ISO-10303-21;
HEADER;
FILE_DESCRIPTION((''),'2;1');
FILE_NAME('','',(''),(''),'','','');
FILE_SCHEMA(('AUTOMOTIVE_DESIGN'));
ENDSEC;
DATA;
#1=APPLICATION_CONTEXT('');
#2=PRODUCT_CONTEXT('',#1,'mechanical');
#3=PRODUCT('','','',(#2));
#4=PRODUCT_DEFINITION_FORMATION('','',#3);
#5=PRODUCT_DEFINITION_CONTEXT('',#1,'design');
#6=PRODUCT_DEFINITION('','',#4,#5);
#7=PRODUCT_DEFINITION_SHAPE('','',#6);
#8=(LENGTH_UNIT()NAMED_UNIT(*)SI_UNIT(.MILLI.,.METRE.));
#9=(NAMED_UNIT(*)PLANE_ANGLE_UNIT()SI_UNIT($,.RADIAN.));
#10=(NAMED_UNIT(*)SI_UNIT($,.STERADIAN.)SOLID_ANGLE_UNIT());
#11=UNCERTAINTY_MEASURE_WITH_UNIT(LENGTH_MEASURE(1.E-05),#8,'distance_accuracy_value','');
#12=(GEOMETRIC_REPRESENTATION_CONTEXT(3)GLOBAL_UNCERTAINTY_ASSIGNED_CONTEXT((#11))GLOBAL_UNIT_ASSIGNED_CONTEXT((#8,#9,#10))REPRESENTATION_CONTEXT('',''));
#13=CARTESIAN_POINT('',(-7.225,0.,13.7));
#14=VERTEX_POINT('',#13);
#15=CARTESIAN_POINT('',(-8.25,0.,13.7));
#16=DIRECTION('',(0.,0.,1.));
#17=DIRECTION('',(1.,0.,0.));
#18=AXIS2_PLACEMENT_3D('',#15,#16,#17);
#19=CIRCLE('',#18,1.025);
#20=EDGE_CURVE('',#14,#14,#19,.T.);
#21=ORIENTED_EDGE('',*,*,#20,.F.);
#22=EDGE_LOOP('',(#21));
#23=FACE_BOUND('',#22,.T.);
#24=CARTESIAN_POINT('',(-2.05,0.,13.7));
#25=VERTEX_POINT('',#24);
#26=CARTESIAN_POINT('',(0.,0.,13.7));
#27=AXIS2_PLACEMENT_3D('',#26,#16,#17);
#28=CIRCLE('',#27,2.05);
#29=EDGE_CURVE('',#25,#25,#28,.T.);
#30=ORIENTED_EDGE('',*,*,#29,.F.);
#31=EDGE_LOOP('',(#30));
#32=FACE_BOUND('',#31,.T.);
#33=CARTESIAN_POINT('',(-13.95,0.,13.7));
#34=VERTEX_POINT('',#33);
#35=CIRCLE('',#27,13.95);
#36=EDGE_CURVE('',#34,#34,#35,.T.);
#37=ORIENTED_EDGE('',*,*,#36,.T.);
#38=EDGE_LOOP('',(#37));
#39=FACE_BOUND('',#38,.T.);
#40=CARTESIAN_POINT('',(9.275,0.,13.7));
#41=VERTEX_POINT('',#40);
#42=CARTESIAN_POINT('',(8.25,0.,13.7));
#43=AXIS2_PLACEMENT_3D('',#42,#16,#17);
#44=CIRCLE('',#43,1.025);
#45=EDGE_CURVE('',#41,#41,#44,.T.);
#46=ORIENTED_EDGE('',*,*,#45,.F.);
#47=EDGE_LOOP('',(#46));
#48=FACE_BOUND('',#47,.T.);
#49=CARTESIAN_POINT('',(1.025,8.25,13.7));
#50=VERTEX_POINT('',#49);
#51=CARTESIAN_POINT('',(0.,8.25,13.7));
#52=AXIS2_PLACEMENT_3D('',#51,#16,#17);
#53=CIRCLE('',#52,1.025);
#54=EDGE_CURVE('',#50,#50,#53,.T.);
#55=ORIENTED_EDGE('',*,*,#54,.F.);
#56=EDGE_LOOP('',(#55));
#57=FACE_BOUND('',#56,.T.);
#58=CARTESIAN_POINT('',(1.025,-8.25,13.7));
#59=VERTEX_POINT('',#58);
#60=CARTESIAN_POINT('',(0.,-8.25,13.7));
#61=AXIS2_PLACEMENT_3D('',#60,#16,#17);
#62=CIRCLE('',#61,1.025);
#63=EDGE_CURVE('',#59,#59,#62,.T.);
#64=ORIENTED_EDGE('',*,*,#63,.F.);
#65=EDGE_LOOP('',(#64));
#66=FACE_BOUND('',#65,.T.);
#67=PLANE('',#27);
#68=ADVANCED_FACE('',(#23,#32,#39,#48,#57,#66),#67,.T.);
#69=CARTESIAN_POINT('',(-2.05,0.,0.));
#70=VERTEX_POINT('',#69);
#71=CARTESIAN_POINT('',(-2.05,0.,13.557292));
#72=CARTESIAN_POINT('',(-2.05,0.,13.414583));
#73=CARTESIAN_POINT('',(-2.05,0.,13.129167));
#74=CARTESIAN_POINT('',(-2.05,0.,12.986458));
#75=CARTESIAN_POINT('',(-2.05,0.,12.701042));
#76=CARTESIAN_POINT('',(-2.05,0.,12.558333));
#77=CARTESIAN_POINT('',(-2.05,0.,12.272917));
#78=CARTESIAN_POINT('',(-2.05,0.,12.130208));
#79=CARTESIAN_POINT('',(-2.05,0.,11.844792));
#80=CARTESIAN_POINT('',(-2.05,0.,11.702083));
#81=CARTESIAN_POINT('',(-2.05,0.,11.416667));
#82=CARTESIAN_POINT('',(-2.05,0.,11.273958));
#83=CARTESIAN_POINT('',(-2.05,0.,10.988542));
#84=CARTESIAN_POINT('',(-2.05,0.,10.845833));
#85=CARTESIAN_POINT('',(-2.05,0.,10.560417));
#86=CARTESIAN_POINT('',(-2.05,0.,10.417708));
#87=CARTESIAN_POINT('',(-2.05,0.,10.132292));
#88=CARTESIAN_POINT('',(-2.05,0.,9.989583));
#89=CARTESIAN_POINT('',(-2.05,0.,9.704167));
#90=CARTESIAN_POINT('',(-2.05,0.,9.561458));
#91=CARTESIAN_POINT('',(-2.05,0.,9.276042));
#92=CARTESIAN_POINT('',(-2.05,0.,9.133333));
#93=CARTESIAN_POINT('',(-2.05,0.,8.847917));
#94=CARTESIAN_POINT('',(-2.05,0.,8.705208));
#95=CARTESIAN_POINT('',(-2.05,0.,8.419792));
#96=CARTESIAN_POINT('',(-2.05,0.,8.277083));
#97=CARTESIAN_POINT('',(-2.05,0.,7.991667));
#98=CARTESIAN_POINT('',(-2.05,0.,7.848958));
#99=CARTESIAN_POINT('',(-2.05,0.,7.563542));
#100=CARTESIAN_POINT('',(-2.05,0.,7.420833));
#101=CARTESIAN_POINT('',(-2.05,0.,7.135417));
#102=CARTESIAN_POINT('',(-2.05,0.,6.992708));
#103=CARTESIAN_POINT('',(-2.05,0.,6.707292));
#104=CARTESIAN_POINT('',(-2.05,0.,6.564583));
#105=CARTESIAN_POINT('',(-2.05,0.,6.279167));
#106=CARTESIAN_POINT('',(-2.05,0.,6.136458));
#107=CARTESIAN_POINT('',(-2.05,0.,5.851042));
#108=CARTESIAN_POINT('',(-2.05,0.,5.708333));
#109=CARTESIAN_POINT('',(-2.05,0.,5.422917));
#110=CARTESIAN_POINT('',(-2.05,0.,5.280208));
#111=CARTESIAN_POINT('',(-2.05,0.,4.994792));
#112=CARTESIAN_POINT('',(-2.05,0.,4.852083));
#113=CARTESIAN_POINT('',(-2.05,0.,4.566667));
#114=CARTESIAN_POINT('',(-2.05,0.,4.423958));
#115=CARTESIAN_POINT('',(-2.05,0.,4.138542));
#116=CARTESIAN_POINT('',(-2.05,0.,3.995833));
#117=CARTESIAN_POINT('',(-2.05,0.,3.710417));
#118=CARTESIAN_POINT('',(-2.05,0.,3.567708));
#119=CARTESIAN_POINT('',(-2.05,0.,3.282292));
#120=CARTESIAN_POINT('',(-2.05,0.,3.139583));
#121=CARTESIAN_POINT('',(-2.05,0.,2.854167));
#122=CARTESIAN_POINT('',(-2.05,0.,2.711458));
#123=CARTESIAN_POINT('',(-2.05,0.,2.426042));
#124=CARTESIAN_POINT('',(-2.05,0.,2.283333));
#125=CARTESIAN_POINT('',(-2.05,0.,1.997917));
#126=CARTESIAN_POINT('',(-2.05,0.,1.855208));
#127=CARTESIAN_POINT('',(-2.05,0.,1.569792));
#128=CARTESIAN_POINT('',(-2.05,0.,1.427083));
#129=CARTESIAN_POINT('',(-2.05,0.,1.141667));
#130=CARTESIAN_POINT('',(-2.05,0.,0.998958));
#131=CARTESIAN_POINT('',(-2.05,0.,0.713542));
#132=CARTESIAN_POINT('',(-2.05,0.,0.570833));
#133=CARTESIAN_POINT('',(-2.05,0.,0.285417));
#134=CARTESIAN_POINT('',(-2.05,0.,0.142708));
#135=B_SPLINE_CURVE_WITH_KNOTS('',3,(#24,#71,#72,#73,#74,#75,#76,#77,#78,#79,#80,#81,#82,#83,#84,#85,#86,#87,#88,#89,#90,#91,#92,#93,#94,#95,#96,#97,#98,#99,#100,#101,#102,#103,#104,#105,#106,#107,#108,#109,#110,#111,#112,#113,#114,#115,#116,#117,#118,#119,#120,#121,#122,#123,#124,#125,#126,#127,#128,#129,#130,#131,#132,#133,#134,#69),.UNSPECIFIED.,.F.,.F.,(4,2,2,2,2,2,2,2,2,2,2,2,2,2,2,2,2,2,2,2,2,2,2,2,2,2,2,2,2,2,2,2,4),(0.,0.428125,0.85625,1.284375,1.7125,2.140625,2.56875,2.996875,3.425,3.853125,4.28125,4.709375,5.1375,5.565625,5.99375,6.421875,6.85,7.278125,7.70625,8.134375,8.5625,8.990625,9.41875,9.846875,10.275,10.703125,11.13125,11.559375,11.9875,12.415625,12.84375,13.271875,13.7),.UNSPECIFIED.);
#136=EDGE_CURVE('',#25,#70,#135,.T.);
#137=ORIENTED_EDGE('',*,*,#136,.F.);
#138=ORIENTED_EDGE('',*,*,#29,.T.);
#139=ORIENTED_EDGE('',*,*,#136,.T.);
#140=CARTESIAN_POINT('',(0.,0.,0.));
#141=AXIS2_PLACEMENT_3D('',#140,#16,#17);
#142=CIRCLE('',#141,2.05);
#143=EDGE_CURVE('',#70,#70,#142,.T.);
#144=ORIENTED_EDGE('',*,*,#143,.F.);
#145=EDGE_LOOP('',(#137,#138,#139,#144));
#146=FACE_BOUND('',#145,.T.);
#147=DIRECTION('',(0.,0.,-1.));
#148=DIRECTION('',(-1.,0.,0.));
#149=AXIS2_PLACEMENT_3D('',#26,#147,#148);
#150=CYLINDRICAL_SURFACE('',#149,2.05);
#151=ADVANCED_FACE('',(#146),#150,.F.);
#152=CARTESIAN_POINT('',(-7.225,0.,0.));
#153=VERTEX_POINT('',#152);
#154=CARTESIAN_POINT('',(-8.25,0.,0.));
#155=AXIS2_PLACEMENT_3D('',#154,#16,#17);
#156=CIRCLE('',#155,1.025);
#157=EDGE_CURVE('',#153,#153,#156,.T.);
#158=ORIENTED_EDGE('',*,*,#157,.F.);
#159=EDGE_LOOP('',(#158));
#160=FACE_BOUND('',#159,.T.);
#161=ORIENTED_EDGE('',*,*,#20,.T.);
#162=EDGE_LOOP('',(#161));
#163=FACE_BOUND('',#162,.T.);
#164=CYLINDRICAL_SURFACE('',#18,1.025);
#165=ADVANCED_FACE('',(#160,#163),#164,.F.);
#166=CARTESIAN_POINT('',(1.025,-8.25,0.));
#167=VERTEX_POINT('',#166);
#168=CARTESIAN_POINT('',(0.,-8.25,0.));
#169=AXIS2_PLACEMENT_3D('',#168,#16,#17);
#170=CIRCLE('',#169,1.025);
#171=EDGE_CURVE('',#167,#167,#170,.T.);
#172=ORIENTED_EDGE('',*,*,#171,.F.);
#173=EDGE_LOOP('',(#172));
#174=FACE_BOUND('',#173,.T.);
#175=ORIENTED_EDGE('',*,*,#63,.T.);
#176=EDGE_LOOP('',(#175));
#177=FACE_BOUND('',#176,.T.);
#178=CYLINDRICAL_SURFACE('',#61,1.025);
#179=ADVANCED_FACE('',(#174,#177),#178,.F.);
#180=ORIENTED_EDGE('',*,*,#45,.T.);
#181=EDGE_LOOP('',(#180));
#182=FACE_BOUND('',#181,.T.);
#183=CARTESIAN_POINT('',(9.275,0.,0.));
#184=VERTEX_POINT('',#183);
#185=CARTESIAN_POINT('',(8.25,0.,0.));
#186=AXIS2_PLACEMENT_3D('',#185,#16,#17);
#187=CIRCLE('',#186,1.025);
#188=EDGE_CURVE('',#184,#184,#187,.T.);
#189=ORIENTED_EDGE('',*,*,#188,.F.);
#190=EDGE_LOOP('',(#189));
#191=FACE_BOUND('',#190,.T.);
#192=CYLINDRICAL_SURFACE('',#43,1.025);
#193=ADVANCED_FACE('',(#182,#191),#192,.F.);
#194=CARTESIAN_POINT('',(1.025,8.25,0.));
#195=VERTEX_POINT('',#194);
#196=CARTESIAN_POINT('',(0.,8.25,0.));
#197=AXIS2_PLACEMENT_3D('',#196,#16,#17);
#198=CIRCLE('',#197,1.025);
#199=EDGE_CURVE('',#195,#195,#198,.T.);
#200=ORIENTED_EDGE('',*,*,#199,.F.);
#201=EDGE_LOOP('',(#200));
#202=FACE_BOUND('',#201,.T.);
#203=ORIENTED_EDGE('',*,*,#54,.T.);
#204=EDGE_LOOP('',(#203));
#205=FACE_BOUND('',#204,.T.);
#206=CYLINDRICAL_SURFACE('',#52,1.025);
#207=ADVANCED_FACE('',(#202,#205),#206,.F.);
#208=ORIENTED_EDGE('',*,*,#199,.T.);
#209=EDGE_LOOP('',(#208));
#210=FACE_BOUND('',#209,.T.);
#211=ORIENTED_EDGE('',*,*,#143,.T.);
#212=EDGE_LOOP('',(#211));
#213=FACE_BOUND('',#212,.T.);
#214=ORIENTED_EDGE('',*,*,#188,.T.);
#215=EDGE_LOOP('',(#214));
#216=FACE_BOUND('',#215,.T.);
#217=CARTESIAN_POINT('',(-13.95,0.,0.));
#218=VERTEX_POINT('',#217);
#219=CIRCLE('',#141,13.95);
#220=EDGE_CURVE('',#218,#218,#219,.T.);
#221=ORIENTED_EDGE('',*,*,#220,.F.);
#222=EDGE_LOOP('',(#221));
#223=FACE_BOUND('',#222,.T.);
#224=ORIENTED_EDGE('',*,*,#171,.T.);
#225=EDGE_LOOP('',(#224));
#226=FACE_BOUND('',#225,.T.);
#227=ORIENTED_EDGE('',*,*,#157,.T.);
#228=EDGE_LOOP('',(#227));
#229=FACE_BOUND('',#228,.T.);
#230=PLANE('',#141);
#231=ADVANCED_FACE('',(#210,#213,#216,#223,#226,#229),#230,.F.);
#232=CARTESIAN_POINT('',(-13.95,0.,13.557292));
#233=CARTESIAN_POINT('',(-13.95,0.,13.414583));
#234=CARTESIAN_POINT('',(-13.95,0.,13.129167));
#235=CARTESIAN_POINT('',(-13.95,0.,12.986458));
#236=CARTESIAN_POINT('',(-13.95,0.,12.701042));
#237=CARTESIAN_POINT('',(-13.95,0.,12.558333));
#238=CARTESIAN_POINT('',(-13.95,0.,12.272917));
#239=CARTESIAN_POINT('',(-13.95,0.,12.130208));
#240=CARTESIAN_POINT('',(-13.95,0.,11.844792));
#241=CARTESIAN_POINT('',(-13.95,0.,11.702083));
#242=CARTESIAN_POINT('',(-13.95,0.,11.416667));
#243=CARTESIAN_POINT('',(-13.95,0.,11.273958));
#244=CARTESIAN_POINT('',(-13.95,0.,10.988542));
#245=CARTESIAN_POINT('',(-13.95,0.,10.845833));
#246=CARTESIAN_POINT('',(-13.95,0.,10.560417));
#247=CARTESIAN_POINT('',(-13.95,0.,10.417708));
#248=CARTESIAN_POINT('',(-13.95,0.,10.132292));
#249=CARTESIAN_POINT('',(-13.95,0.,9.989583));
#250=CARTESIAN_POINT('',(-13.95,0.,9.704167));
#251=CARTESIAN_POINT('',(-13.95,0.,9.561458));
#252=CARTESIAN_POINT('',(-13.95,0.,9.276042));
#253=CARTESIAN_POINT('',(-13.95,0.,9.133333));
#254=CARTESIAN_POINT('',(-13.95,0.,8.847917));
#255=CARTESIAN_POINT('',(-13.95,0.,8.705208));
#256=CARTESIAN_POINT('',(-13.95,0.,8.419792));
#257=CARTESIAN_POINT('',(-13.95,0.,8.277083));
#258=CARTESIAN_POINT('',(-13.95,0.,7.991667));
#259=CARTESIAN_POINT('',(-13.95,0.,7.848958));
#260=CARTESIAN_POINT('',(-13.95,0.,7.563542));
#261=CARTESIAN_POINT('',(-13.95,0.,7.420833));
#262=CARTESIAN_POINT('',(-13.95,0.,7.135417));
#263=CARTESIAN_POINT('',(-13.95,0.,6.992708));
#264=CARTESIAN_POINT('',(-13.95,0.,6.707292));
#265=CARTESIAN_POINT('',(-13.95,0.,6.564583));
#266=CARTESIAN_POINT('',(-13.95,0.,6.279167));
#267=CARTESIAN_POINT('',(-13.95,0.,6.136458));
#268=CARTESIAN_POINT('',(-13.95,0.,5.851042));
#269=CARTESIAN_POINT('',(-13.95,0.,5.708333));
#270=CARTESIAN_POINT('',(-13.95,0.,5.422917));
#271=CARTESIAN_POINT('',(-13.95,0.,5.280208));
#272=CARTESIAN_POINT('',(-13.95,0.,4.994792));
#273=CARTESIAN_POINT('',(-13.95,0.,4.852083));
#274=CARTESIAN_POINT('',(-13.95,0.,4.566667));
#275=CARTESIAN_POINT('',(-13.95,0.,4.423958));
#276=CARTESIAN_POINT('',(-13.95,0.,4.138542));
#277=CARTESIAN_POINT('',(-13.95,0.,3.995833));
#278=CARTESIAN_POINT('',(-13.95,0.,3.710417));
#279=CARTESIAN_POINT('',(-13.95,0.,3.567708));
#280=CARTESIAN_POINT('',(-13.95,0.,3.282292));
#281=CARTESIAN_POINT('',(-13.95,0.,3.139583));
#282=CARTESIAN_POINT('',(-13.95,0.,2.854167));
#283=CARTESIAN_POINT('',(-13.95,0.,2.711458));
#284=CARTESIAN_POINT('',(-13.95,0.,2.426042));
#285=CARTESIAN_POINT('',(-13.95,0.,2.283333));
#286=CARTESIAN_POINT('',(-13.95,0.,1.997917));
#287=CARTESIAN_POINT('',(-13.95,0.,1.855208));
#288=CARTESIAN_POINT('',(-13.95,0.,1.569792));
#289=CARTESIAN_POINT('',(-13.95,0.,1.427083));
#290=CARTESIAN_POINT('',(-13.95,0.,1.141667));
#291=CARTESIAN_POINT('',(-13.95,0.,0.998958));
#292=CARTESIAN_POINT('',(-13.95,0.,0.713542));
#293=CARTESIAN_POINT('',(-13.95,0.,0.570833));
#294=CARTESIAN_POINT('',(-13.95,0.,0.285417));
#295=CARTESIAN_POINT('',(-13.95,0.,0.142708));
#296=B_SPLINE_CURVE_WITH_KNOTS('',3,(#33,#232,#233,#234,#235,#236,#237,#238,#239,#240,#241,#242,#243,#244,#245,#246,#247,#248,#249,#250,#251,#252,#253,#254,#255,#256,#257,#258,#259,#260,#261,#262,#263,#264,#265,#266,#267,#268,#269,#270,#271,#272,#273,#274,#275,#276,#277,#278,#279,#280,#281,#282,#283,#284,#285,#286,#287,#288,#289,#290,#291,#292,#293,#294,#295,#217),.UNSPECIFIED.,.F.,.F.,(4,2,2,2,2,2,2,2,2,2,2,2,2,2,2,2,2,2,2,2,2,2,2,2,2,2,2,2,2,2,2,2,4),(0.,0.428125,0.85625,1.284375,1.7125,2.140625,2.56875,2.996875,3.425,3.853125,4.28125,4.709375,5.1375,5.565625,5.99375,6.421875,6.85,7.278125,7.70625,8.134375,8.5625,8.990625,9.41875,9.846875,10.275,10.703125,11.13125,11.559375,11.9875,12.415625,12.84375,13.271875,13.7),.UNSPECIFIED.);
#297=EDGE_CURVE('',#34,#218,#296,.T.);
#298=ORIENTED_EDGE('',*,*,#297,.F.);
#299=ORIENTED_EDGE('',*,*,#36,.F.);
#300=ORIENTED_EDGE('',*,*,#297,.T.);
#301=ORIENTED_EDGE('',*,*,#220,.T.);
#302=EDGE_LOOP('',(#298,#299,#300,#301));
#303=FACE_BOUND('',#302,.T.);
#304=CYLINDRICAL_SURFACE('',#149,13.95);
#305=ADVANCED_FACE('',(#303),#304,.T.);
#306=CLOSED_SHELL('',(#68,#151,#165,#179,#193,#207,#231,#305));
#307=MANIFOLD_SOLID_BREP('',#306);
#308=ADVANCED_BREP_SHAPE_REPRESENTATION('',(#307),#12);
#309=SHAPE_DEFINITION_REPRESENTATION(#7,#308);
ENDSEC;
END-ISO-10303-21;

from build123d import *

# Parameters (mm, degrees)
SKETCH_1_R           = 13.95
SKETCH_1_R_2         = 2.05
EXTRUDE_1_DEPTH      = 13.7
HOLE_WIZARD_M2_5_1_D = 2.05


with BuildPart() as part:
    # 草图1 → 凸台-拉伸1 (new body)
    with BuildSketch(Plane.XY):
        with Locations(Location((0, 0, 0), (0, 0, 180))):
            Circle(SKETCH_1_R)
        with Locations(Location((0, 0, 0), (0, 0, 180))):
            Circle(SKETCH_1_R_2, mode=Mode.SUBTRACT)
    extrude(amount=EXTRUDE_1_DEPTH)

    # M2.5 螺纹孔1 (through all)
    with Locations(Plane.XY.offset(13.7)):
        with Locations((0, 8.25), (8.25, 0), (0, -8.25), (-8.25, 0)):
            Hole(HOLE_WIZARD_M2_5_1_D / 2)


solid = part.part
